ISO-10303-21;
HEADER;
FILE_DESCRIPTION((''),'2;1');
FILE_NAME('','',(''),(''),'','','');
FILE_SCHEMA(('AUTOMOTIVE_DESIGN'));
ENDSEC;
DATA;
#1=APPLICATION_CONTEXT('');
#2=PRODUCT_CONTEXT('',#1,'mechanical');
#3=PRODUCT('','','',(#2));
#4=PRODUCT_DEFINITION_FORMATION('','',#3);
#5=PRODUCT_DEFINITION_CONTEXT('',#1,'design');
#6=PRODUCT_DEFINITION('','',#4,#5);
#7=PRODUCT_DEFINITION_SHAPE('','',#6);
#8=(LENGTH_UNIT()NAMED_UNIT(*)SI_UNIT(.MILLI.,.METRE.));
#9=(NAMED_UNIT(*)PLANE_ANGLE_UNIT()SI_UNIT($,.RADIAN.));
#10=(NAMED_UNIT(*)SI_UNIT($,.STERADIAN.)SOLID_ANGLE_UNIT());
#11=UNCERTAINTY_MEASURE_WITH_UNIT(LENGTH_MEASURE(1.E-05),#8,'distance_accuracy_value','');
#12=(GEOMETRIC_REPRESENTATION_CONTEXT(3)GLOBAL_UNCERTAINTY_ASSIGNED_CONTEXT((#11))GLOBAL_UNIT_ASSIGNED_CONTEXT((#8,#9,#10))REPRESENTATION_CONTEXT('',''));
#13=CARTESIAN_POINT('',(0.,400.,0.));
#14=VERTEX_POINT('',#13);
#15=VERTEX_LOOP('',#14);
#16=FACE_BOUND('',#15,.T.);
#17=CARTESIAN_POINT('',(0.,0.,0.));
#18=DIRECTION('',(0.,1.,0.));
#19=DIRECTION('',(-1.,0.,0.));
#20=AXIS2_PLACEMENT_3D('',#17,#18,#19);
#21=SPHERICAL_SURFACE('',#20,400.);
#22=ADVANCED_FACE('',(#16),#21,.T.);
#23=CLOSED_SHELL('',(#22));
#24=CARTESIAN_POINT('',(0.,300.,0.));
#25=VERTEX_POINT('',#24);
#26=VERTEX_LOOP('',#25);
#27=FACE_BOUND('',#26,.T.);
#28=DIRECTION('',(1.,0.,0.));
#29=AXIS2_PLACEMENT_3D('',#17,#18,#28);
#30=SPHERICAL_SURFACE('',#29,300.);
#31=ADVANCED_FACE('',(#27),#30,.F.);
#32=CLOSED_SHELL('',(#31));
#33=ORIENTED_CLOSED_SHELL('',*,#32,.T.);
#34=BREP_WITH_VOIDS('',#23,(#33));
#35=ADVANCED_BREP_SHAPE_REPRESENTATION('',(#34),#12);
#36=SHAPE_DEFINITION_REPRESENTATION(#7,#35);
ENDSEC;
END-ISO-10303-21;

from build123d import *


with BuildPart() as part:
    # Sketch1 → Revolve1 (revolve)
    with BuildSketch(Plane.XY):
        with BuildLine():
            Line((0, 400), (0, 300))
            ThreePointArc((0, 300), (300, 0), (0, -300))
            Line((0, -300), (0, -400))
            ThreePointArc((0, -400), (400, 0), (0, 400))
        make_face()
    revolve(axis=Axis((0, 116.844669118, 0), (0, -1, 0)))


solid = part.part
